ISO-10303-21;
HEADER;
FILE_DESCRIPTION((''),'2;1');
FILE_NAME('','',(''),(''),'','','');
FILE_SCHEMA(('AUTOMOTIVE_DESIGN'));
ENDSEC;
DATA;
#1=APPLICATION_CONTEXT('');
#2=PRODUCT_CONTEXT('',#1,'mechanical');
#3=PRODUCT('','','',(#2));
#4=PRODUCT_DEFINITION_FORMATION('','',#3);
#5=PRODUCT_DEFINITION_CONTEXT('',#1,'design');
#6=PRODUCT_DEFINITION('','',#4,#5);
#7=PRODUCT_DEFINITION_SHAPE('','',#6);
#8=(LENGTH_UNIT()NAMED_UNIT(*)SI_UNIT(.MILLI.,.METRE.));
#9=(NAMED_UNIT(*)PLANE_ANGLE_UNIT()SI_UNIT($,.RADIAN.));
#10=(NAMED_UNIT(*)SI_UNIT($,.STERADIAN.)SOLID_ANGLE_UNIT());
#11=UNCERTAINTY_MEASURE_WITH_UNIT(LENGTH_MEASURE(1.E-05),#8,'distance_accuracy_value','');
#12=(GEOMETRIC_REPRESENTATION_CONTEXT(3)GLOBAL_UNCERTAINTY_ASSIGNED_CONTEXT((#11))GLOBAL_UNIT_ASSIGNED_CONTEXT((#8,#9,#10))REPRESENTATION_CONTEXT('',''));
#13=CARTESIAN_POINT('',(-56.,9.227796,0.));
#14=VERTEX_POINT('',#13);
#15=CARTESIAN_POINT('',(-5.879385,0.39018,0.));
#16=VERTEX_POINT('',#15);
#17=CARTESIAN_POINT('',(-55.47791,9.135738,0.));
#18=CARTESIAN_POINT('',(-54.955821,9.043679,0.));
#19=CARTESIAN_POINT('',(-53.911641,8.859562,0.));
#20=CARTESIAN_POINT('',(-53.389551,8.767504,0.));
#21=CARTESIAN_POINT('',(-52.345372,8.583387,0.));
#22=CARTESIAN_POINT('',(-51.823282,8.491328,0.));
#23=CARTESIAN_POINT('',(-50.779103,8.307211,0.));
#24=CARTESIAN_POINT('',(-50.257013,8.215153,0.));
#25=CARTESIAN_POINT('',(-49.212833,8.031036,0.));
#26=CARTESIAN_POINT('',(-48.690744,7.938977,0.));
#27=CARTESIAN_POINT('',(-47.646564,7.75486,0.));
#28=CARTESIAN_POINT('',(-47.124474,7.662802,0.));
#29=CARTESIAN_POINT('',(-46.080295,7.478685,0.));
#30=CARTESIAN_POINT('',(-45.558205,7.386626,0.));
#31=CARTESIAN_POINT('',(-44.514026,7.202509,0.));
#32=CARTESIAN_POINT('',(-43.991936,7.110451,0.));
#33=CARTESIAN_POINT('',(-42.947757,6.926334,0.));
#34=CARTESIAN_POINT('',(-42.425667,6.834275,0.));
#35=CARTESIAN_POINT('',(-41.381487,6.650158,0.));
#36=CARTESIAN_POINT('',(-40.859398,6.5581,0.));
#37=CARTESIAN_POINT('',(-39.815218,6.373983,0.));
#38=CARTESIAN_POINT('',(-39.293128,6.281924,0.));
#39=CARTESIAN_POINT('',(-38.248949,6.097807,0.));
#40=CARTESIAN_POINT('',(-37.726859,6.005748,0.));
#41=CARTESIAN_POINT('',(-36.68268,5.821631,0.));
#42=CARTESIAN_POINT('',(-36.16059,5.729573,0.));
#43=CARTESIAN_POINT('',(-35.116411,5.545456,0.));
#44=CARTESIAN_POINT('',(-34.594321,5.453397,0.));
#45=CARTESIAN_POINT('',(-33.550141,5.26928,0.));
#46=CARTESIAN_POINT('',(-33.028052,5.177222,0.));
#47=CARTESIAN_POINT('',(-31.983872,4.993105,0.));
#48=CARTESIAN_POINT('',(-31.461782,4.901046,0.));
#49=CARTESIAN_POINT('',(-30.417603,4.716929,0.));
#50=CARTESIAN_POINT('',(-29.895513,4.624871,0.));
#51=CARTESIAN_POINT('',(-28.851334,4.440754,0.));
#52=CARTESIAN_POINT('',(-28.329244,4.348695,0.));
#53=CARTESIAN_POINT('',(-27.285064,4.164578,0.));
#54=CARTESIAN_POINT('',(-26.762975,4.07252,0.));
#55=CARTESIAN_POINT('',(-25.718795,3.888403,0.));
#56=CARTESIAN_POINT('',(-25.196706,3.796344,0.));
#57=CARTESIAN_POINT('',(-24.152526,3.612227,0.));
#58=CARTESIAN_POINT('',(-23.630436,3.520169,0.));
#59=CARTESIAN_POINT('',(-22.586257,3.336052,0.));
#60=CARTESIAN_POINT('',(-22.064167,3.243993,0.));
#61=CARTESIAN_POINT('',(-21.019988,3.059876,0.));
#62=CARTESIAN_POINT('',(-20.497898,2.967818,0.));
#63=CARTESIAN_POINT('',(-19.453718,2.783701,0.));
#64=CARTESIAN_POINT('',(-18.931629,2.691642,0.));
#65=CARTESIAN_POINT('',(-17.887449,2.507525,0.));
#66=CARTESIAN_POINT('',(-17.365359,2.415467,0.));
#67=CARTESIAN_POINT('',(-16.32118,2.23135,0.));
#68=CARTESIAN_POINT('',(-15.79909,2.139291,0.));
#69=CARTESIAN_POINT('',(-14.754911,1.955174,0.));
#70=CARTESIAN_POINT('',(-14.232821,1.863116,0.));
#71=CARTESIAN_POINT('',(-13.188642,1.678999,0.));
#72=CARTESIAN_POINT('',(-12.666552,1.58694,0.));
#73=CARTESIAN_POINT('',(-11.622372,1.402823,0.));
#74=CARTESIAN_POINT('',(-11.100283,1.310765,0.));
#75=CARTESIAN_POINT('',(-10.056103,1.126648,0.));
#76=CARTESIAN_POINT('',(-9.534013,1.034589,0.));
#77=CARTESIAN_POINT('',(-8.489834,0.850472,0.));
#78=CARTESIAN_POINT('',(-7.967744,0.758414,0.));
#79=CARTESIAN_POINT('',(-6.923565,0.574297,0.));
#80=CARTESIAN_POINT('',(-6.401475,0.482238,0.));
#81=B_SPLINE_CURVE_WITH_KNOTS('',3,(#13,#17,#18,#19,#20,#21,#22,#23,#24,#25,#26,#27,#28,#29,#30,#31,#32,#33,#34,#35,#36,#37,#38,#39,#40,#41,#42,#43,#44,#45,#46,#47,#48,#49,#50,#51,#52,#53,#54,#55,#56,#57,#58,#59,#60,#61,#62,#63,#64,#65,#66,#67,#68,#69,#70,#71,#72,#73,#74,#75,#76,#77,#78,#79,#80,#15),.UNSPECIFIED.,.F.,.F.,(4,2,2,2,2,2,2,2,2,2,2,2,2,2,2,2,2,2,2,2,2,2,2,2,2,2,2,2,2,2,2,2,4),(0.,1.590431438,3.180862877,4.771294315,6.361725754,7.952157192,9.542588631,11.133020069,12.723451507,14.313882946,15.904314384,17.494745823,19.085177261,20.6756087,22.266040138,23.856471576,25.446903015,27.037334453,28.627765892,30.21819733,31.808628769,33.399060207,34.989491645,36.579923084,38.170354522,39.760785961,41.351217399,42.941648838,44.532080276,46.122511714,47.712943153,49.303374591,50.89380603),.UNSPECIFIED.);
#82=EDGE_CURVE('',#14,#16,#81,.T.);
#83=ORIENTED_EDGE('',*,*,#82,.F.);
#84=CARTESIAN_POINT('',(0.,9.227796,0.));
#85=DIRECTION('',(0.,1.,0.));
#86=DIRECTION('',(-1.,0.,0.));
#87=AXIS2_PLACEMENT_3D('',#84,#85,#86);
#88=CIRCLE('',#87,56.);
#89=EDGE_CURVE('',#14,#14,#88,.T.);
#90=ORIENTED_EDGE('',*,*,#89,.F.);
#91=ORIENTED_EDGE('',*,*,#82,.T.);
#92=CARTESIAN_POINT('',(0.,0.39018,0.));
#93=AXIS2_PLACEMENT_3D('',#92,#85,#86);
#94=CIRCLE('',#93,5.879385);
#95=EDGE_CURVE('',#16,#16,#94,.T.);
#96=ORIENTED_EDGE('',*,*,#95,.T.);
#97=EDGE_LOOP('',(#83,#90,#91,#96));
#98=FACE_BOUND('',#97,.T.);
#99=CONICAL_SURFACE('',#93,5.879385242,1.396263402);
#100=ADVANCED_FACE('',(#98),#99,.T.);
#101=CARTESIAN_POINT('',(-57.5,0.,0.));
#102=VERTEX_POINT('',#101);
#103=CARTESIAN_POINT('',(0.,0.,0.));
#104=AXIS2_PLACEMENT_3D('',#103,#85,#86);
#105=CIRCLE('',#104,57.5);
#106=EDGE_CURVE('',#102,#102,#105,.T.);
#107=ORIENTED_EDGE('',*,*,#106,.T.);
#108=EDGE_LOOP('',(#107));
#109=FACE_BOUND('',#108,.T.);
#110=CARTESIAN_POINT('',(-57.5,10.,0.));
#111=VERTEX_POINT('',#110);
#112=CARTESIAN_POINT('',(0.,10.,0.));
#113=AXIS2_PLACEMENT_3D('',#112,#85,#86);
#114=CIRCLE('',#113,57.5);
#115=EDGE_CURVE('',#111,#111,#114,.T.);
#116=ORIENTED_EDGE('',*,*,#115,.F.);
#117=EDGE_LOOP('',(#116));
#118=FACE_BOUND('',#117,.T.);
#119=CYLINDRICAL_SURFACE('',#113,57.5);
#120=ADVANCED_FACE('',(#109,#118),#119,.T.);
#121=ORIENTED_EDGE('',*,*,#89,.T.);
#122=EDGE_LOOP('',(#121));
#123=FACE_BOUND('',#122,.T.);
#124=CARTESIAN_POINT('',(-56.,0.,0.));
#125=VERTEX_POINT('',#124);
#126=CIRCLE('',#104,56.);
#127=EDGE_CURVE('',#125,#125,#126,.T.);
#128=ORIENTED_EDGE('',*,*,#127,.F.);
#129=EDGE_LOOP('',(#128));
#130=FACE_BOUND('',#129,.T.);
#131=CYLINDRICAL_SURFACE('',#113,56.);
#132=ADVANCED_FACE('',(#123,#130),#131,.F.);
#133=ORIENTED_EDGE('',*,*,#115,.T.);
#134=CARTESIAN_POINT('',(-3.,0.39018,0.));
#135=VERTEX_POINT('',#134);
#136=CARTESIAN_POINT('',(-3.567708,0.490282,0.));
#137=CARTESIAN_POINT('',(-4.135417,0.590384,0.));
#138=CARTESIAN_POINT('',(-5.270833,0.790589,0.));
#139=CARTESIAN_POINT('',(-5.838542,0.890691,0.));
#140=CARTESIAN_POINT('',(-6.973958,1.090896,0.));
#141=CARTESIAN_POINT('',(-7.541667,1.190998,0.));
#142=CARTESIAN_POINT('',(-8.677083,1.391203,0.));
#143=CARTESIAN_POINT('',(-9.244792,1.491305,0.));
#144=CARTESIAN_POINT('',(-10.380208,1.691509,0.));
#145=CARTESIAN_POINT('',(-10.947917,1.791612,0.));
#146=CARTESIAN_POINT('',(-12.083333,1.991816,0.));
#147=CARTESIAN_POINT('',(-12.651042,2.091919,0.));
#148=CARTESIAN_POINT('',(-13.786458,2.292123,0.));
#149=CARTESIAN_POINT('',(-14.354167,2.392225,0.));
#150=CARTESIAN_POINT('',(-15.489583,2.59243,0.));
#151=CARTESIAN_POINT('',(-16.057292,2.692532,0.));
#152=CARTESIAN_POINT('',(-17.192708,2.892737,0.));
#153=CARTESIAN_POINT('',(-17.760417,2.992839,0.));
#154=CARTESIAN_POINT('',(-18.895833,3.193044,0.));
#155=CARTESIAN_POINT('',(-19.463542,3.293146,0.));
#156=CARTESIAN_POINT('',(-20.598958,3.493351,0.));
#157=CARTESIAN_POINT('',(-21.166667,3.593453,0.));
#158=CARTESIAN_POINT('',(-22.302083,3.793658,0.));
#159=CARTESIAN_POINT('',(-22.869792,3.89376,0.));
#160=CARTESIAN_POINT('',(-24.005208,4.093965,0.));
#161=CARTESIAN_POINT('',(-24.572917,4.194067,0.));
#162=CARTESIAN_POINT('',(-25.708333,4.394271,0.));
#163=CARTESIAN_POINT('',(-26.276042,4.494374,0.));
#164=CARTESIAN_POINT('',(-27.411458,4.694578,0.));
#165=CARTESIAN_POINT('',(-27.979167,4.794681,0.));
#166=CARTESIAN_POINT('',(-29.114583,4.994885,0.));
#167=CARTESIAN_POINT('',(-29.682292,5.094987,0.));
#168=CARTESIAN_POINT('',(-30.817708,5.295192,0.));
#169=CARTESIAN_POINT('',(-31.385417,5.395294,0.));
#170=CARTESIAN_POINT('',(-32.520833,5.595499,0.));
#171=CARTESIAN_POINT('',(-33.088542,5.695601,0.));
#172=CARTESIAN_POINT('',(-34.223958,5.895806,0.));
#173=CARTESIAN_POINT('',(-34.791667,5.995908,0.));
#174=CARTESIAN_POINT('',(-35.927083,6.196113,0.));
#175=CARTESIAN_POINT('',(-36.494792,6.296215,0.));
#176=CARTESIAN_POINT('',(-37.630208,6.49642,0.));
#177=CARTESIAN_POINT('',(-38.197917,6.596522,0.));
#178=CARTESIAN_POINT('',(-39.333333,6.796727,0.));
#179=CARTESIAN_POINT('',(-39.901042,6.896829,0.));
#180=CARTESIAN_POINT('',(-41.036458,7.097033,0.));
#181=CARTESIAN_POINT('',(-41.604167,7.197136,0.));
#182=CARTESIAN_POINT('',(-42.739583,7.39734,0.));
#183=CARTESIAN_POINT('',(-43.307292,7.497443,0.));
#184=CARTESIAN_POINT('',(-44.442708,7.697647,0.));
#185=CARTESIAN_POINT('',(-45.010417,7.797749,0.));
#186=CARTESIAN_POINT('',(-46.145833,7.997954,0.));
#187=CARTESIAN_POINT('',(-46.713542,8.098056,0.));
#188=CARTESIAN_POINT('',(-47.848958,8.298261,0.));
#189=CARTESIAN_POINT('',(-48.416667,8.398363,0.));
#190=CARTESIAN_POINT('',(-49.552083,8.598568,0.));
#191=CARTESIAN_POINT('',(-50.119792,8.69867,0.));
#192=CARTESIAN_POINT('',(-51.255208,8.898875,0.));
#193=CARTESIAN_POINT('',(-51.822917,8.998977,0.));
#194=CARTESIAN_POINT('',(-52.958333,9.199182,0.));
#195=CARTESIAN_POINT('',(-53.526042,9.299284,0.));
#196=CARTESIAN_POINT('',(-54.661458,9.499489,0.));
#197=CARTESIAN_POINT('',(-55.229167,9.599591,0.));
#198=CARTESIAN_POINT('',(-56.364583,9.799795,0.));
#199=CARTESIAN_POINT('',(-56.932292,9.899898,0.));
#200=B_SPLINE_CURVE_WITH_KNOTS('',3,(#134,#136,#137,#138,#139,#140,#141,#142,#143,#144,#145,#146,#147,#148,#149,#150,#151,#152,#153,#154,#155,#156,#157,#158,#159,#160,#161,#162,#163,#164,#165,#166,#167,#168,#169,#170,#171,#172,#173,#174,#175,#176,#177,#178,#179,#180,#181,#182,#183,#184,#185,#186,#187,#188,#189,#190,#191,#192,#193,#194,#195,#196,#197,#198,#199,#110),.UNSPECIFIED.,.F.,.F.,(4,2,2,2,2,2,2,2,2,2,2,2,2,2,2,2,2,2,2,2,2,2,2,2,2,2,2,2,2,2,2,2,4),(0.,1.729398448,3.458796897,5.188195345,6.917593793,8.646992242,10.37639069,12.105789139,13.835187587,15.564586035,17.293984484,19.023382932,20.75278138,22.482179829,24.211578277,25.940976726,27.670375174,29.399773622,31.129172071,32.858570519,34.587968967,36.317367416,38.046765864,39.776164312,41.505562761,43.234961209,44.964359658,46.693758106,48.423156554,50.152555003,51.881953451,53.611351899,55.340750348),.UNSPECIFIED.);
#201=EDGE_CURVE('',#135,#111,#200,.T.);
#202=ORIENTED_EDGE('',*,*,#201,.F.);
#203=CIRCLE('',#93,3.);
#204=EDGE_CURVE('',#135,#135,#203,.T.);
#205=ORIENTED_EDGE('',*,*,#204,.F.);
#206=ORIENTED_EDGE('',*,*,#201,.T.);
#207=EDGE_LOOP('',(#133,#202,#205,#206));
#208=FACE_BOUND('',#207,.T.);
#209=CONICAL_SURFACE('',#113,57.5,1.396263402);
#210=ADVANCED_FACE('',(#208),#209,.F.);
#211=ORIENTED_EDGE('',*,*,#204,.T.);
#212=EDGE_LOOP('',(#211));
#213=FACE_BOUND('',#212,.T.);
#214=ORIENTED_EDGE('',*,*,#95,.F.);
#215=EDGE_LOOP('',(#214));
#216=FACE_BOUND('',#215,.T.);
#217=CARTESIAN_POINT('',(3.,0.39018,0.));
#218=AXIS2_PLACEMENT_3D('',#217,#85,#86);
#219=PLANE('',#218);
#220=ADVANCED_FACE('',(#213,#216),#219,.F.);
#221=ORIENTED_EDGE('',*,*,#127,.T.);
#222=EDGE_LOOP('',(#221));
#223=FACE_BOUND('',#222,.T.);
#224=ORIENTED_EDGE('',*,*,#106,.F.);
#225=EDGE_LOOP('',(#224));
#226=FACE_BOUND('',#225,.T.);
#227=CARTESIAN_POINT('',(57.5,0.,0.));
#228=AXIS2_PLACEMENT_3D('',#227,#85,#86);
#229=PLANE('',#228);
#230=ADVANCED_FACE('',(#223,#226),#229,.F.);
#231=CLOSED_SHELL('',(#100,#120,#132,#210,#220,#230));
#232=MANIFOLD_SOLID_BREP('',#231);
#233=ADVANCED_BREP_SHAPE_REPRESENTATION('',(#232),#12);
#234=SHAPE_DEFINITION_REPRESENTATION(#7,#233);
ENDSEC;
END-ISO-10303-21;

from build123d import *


with BuildPart() as part:
    # Sketch1 → Revolve1 (revolve)
    with BuildSketch(Plane.XY, mode=Mode.PRIVATE) as revolve1_sk:
        Polygon((57.5, 10), (3, 0.390179551), (5.879385242, 0.390179551), (56, 9.227796223), (56, 0), (57.5, 0), align=None)
    revolve(revolve1_sk.sketch.rotate(Axis((0, 10, 0), (0, -1, 0)), 180), axis=Axis((0, 10, 0), (0, -1, 0)))


solid = part.part
